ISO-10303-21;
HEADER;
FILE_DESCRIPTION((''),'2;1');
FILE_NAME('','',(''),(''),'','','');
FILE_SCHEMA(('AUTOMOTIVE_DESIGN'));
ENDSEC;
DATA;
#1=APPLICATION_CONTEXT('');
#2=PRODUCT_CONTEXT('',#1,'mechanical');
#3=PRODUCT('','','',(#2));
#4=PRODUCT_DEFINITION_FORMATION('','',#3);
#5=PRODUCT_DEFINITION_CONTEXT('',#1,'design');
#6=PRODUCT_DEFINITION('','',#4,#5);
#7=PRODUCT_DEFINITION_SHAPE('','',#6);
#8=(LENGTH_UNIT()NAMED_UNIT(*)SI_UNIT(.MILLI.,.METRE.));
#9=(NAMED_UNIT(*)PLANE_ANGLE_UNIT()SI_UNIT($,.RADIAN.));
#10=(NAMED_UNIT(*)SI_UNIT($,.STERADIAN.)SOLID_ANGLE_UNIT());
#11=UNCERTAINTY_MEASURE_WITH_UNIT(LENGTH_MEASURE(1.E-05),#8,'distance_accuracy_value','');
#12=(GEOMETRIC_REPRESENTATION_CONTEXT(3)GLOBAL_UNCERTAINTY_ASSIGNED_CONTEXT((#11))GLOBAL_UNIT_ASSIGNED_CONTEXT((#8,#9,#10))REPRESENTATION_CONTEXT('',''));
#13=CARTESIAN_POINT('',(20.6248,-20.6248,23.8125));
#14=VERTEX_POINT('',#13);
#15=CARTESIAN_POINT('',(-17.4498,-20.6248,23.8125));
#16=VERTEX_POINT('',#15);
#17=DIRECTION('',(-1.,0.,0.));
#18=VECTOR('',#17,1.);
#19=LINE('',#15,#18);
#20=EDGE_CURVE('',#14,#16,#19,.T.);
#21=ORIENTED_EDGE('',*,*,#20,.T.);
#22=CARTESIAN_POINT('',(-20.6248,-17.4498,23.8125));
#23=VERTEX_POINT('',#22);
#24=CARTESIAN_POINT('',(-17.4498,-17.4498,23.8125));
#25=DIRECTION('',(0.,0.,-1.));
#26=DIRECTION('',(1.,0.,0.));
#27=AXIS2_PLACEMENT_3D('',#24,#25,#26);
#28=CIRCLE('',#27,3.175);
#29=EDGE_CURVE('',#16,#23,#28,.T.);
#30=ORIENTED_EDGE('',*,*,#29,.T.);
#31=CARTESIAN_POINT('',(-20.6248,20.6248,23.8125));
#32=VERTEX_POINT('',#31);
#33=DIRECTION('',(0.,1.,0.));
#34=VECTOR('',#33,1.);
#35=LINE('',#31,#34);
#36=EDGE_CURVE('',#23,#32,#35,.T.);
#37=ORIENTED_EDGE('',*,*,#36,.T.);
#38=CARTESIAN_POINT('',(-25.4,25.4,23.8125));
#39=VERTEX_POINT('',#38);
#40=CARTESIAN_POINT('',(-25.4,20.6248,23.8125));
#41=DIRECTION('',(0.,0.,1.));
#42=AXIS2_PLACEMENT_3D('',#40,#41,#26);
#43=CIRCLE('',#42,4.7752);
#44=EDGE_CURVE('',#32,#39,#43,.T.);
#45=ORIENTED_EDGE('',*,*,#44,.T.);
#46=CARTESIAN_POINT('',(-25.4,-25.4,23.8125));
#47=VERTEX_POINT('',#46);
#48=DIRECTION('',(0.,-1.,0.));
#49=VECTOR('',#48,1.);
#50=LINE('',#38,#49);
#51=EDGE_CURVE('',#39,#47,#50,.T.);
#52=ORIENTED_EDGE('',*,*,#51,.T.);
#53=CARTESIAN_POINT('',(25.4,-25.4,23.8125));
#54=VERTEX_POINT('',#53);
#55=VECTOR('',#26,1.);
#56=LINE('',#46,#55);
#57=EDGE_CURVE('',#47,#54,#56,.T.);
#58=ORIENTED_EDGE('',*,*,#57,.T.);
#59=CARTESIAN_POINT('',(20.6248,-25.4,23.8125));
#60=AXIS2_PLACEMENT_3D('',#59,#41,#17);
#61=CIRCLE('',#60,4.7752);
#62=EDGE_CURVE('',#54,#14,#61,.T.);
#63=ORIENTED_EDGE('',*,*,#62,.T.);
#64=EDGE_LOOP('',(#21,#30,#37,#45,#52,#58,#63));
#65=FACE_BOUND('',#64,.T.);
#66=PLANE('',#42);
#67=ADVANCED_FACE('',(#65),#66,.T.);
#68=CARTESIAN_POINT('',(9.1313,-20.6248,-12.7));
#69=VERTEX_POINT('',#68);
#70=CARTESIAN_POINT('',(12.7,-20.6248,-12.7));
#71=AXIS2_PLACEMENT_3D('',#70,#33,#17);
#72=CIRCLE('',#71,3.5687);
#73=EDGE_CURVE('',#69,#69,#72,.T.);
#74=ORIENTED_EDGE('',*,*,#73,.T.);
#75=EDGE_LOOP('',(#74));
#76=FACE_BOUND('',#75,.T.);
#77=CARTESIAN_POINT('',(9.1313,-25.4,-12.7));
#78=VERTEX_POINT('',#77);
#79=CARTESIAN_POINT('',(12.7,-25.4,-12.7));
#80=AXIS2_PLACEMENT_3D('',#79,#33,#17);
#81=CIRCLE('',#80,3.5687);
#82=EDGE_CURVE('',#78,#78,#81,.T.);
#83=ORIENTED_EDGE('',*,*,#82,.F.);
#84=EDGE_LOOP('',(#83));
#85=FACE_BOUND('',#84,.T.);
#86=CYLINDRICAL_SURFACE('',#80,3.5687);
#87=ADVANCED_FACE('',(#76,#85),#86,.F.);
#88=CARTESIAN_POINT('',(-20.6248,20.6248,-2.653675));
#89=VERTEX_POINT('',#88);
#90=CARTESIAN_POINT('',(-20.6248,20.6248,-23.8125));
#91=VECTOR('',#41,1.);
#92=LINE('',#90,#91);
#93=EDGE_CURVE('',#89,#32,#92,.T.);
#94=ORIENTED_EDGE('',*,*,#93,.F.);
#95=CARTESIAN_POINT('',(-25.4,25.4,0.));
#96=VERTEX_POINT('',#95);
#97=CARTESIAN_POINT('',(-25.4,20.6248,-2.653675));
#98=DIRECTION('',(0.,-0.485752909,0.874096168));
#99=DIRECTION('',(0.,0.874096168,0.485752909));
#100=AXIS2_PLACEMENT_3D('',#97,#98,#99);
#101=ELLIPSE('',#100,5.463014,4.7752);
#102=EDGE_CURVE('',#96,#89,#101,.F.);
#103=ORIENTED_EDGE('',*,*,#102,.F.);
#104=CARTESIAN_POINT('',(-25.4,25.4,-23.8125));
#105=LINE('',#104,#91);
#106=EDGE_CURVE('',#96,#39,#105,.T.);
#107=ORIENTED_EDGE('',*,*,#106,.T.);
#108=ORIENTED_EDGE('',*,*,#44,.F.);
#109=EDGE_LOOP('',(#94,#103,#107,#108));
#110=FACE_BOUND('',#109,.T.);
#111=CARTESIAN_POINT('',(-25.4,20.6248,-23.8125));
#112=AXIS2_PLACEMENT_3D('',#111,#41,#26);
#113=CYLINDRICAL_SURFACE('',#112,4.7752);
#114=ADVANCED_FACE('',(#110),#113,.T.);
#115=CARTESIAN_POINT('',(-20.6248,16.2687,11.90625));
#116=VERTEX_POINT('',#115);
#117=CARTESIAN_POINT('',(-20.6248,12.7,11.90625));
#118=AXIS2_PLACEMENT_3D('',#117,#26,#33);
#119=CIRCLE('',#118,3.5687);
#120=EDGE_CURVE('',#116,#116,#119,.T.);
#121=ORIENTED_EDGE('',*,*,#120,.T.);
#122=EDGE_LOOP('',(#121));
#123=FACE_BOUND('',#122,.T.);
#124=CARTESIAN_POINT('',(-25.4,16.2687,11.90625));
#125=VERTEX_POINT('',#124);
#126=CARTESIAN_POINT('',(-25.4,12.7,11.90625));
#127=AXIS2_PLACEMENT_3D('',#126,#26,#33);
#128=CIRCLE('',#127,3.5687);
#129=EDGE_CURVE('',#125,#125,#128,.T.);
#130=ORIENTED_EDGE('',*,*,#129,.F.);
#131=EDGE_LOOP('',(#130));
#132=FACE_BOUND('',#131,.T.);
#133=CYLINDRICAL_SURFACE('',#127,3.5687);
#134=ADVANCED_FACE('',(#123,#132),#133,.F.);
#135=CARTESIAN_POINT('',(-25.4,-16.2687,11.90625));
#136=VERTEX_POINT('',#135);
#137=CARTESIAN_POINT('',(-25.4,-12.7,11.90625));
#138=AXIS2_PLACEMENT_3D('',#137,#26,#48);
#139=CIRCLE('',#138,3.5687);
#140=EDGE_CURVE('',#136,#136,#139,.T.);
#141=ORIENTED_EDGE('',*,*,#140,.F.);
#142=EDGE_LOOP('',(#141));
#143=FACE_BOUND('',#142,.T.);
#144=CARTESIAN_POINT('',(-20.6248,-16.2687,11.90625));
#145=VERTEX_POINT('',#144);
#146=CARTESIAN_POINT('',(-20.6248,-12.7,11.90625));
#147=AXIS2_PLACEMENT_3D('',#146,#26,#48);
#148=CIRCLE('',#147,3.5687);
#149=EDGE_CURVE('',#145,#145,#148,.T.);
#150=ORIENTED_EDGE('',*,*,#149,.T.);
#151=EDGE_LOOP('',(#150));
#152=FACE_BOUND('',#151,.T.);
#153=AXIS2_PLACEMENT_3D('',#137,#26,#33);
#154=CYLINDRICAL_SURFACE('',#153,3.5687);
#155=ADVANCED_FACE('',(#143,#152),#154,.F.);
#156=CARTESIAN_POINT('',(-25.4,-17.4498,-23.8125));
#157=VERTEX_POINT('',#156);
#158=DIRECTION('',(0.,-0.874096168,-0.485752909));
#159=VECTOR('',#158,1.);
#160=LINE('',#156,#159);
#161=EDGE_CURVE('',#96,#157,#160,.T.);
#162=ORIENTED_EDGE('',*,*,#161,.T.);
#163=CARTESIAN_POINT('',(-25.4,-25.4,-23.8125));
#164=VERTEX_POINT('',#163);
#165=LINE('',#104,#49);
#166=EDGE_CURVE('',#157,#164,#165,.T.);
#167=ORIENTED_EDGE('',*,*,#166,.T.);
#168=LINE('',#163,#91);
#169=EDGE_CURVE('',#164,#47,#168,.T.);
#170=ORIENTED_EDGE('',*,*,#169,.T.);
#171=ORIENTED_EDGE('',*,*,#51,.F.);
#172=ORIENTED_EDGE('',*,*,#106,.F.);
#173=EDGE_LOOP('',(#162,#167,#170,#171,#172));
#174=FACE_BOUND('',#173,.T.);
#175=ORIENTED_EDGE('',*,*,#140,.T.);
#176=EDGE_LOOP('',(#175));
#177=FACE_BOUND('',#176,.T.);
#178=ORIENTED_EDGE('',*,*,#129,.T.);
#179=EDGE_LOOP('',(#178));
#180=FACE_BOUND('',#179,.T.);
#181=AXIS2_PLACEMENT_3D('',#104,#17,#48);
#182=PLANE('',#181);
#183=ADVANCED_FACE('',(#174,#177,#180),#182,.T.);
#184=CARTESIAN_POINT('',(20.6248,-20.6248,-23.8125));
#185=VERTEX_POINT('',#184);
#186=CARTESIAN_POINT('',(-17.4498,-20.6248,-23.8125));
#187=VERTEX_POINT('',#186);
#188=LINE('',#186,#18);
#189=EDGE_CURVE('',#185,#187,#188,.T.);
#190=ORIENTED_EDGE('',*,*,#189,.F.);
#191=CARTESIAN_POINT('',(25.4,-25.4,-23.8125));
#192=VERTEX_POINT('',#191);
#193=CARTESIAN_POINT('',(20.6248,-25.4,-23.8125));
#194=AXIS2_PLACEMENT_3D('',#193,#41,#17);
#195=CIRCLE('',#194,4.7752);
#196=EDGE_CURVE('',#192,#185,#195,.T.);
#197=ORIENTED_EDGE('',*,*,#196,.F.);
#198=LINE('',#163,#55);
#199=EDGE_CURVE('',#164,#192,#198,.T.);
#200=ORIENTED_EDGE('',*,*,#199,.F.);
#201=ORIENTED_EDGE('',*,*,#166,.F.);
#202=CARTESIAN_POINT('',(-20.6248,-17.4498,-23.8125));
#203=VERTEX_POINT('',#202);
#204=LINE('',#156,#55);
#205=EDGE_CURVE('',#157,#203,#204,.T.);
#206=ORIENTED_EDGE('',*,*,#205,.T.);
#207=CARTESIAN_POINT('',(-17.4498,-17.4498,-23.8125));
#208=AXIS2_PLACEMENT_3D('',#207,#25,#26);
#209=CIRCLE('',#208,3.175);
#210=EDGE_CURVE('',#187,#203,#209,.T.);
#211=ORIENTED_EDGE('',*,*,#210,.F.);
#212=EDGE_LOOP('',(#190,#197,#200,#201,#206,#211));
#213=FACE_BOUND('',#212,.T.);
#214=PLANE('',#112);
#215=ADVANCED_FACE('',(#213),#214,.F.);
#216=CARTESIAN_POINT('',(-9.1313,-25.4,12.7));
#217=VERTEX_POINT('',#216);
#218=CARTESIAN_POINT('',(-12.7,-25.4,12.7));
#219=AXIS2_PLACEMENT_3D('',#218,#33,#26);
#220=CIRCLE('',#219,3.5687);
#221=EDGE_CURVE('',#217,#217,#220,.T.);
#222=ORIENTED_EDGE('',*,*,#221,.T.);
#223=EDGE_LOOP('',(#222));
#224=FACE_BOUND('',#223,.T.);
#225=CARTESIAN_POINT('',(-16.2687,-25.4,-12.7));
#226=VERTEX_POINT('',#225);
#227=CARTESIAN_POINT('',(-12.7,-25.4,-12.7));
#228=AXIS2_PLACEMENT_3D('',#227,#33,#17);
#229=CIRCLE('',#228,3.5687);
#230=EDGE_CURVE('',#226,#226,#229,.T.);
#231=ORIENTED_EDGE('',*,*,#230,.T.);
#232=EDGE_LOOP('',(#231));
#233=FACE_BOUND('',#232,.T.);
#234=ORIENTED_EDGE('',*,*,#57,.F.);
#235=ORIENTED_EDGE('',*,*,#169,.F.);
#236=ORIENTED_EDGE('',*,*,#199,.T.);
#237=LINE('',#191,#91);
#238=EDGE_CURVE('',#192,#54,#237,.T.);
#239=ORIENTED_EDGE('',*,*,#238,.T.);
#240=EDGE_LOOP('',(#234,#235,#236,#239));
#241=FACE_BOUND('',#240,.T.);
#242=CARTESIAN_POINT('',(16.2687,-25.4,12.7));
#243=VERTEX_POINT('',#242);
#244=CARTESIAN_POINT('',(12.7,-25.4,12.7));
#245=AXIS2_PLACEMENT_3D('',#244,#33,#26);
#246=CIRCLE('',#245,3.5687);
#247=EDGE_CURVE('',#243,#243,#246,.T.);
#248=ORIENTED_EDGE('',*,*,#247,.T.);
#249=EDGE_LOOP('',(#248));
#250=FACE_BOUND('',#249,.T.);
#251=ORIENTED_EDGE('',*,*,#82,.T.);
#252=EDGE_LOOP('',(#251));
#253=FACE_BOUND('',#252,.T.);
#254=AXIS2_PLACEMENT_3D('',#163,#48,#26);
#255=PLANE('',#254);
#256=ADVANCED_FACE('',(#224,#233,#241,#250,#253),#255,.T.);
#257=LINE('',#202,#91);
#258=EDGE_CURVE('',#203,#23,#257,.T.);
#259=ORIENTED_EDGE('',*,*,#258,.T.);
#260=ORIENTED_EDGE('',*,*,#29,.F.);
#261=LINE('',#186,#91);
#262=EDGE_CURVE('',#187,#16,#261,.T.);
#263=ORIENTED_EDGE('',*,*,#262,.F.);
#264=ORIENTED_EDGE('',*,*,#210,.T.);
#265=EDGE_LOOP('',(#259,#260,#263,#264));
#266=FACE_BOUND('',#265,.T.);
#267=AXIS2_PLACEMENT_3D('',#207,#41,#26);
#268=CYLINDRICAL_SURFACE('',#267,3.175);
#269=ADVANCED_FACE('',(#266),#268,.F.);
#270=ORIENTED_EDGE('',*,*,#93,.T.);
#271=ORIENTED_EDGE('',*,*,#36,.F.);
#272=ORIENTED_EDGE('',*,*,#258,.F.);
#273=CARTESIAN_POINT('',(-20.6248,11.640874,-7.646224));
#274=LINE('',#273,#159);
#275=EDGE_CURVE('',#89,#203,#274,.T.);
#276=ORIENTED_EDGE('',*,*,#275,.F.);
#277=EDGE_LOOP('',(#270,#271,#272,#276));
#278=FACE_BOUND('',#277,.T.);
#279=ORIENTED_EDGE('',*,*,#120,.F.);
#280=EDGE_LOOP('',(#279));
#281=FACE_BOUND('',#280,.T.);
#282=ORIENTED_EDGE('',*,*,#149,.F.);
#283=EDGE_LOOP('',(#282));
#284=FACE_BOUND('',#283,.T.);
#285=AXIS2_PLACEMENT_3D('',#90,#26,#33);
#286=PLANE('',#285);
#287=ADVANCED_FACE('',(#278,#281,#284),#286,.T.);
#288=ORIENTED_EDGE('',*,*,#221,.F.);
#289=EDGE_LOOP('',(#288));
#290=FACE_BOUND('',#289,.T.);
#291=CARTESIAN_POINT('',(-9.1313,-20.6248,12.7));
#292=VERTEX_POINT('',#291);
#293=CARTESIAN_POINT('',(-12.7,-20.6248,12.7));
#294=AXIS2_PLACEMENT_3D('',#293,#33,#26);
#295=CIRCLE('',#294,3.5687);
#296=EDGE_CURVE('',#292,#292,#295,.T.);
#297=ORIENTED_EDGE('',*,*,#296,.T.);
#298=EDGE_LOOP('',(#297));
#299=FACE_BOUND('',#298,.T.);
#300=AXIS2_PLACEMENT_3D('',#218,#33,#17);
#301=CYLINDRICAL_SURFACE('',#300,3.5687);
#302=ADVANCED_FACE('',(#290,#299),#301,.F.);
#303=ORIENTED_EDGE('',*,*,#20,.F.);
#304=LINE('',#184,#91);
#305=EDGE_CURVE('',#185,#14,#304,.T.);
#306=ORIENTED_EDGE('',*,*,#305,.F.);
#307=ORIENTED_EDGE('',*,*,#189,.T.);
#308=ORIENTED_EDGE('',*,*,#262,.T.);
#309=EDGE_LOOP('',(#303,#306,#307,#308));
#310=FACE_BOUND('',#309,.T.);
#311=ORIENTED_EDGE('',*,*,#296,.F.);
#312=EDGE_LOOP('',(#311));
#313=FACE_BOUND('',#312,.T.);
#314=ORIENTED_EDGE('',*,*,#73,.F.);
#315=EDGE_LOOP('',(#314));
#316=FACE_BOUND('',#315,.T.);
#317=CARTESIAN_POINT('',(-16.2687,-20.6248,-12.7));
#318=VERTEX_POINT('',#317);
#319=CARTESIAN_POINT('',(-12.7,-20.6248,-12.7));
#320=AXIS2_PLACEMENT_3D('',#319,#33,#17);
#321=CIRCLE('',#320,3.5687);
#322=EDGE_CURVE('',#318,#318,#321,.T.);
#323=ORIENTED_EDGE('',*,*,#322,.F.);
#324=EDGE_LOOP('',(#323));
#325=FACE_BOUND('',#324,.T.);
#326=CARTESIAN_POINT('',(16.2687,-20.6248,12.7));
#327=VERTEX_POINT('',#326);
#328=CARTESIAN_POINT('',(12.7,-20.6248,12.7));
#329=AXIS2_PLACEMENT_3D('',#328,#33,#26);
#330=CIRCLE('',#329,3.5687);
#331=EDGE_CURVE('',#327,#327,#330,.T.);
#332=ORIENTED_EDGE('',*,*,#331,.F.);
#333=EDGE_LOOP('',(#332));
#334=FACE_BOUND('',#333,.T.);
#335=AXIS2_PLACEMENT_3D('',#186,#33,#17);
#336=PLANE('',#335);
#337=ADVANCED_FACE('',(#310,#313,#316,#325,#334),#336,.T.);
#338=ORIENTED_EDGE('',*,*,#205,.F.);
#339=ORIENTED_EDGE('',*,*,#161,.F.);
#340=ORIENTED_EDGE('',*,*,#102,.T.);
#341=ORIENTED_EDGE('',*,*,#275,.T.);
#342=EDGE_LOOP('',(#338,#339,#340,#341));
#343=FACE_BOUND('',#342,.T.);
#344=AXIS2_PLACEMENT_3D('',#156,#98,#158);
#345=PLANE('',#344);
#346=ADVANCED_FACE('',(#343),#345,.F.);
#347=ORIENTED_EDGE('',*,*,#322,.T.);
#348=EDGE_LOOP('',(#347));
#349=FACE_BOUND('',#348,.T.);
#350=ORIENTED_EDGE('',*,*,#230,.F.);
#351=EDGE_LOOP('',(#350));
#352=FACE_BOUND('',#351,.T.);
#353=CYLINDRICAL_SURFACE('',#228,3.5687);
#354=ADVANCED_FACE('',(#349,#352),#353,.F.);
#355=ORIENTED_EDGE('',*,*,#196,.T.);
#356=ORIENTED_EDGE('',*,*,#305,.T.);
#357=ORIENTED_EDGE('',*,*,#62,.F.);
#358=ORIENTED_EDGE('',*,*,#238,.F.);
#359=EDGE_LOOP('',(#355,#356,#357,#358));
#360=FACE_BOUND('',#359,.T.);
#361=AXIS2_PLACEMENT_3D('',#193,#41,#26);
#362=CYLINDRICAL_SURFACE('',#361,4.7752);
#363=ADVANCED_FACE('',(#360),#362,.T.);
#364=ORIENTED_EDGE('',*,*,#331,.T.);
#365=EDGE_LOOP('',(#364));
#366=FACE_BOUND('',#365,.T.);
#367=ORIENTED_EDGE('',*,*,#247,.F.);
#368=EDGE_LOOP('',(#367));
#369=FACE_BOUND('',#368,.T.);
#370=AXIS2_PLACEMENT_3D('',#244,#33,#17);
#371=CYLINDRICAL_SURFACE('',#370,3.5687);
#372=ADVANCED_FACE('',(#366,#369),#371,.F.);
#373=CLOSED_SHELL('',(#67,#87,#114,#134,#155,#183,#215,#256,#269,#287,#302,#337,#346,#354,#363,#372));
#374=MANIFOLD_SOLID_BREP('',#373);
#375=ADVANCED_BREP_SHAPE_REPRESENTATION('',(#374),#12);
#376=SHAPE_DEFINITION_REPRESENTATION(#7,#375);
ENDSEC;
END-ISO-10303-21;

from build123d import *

# Parameters (mm, degrees)
BOSS_EXTRUDE1_DEPTH      = 23.8125
BOSS_EXTRUDE1_DEPTH_BACK = 23.8125
CUT_EXTRUDE1_DEPTH       = 58.710288262
CUT_EXTRUDE1_DEPTH_BACK  = 58.710288262
SKETCH6_R                = 3.5687
CUT_EXTRUDE2_DEPTH       = 58.710288262
SKETCH7_R                = 3.5687
CUT_EXTRUDE3_DEPTH       = 58.710288262


with BuildPart() as part:
    # Sketch4 → Boss-Extrude1 (new, two sides: drawn at the far end of the back side and taken through both)
    with BuildSketch(Plane.XY.offset(-BOSS_EXTRUDE1_DEPTH_BACK)):
        with BuildLine():
            Line((-25.4, 25.4), (-25.4, -25.4))
            Line((-25.4, -25.4), (25.4, -25.4))
            ThreePointArc((25.4, -25.4), (24.001376302, -22.023423698), (20.6248, -20.6248))
            Line((20.6248, -20.6248), (-17.4498, -20.6248))
            ThreePointArc((-17.4498, -20.6248), (-19.69486403, -19.69486403), (-20.6248, -17.4498))
            Line((-20.6248, -17.4498), (-20.6248, 20.6248))
            ThreePointArc((-20.6248, 20.6248), (-22.023423698, 24.001376302), (-25.4, 25.4))
        make_face()
    extrude(amount=BOSS_EXTRUDE1_DEPTH + BOSS_EXTRUDE1_DEPTH_BACK)

    # Sketch5 → Cut-Extrude1 (cut, two sides: drawn at the far end of the back side and taken through both)
    with BuildSketch(Plane(origin=(-20.6248, 0, 0), x_dir=(0, 0, -1), z_dir=(1, 0, 0)).offset(-CUT_EXTRUDE1_DEPTH_BACK)):
        Polygon((23.8125, 25.4), (0, 25.4), (23.8125, -17.4498), align=None)
    extrude(amount=CUT_EXTRUDE1_DEPTH + CUT_EXTRUDE1_DEPTH_BACK, mode=Mode.SUBTRACT)

    # Sketch6 → Cut-Extrude2 (cut, through all)
    with BuildSketch(Plane(origin=(-20.6248, 0, 0), x_dir=(0, 0, -1), z_dir=(1, 0, 0))):
        with Locations(Location((-11.90625, 12.7, 0), (0, 0, 90))):
            Circle(SKETCH6_R)
        with Locations(Location((-11.90625, -12.7, 0), (0, 0, 270))):
            Circle(SKETCH6_R)
    extrude(amount=-CUT_EXTRUDE2_DEPTH, mode=Mode.SUBTRACT)

    # Sketch7 → Cut-Extrude3 (cut, through all)
    with BuildSketch(Plane(origin=(0, -20.6248, 0), x_dir=(1, 0, 0), z_dir=(0, 1, 0))):
        with Locations(Location((-12.7, 12.7, 0), (0, 0, 180))):
            Circle(SKETCH7_R)
        with Locations(Location((12.7, 12.7, 0), (0, 0, 180))):
            Circle(SKETCH7_R)
        with Locations((12.7, -12.7)):
            Circle(SKETCH7_R)
        with Locations((-12.7, -12.7)):
            Circle(SKETCH7_R)
    extrude(amount=-CUT_EXTRUDE3_DEPTH, mode=Mode.SUBTRACT)


solid = part.part
